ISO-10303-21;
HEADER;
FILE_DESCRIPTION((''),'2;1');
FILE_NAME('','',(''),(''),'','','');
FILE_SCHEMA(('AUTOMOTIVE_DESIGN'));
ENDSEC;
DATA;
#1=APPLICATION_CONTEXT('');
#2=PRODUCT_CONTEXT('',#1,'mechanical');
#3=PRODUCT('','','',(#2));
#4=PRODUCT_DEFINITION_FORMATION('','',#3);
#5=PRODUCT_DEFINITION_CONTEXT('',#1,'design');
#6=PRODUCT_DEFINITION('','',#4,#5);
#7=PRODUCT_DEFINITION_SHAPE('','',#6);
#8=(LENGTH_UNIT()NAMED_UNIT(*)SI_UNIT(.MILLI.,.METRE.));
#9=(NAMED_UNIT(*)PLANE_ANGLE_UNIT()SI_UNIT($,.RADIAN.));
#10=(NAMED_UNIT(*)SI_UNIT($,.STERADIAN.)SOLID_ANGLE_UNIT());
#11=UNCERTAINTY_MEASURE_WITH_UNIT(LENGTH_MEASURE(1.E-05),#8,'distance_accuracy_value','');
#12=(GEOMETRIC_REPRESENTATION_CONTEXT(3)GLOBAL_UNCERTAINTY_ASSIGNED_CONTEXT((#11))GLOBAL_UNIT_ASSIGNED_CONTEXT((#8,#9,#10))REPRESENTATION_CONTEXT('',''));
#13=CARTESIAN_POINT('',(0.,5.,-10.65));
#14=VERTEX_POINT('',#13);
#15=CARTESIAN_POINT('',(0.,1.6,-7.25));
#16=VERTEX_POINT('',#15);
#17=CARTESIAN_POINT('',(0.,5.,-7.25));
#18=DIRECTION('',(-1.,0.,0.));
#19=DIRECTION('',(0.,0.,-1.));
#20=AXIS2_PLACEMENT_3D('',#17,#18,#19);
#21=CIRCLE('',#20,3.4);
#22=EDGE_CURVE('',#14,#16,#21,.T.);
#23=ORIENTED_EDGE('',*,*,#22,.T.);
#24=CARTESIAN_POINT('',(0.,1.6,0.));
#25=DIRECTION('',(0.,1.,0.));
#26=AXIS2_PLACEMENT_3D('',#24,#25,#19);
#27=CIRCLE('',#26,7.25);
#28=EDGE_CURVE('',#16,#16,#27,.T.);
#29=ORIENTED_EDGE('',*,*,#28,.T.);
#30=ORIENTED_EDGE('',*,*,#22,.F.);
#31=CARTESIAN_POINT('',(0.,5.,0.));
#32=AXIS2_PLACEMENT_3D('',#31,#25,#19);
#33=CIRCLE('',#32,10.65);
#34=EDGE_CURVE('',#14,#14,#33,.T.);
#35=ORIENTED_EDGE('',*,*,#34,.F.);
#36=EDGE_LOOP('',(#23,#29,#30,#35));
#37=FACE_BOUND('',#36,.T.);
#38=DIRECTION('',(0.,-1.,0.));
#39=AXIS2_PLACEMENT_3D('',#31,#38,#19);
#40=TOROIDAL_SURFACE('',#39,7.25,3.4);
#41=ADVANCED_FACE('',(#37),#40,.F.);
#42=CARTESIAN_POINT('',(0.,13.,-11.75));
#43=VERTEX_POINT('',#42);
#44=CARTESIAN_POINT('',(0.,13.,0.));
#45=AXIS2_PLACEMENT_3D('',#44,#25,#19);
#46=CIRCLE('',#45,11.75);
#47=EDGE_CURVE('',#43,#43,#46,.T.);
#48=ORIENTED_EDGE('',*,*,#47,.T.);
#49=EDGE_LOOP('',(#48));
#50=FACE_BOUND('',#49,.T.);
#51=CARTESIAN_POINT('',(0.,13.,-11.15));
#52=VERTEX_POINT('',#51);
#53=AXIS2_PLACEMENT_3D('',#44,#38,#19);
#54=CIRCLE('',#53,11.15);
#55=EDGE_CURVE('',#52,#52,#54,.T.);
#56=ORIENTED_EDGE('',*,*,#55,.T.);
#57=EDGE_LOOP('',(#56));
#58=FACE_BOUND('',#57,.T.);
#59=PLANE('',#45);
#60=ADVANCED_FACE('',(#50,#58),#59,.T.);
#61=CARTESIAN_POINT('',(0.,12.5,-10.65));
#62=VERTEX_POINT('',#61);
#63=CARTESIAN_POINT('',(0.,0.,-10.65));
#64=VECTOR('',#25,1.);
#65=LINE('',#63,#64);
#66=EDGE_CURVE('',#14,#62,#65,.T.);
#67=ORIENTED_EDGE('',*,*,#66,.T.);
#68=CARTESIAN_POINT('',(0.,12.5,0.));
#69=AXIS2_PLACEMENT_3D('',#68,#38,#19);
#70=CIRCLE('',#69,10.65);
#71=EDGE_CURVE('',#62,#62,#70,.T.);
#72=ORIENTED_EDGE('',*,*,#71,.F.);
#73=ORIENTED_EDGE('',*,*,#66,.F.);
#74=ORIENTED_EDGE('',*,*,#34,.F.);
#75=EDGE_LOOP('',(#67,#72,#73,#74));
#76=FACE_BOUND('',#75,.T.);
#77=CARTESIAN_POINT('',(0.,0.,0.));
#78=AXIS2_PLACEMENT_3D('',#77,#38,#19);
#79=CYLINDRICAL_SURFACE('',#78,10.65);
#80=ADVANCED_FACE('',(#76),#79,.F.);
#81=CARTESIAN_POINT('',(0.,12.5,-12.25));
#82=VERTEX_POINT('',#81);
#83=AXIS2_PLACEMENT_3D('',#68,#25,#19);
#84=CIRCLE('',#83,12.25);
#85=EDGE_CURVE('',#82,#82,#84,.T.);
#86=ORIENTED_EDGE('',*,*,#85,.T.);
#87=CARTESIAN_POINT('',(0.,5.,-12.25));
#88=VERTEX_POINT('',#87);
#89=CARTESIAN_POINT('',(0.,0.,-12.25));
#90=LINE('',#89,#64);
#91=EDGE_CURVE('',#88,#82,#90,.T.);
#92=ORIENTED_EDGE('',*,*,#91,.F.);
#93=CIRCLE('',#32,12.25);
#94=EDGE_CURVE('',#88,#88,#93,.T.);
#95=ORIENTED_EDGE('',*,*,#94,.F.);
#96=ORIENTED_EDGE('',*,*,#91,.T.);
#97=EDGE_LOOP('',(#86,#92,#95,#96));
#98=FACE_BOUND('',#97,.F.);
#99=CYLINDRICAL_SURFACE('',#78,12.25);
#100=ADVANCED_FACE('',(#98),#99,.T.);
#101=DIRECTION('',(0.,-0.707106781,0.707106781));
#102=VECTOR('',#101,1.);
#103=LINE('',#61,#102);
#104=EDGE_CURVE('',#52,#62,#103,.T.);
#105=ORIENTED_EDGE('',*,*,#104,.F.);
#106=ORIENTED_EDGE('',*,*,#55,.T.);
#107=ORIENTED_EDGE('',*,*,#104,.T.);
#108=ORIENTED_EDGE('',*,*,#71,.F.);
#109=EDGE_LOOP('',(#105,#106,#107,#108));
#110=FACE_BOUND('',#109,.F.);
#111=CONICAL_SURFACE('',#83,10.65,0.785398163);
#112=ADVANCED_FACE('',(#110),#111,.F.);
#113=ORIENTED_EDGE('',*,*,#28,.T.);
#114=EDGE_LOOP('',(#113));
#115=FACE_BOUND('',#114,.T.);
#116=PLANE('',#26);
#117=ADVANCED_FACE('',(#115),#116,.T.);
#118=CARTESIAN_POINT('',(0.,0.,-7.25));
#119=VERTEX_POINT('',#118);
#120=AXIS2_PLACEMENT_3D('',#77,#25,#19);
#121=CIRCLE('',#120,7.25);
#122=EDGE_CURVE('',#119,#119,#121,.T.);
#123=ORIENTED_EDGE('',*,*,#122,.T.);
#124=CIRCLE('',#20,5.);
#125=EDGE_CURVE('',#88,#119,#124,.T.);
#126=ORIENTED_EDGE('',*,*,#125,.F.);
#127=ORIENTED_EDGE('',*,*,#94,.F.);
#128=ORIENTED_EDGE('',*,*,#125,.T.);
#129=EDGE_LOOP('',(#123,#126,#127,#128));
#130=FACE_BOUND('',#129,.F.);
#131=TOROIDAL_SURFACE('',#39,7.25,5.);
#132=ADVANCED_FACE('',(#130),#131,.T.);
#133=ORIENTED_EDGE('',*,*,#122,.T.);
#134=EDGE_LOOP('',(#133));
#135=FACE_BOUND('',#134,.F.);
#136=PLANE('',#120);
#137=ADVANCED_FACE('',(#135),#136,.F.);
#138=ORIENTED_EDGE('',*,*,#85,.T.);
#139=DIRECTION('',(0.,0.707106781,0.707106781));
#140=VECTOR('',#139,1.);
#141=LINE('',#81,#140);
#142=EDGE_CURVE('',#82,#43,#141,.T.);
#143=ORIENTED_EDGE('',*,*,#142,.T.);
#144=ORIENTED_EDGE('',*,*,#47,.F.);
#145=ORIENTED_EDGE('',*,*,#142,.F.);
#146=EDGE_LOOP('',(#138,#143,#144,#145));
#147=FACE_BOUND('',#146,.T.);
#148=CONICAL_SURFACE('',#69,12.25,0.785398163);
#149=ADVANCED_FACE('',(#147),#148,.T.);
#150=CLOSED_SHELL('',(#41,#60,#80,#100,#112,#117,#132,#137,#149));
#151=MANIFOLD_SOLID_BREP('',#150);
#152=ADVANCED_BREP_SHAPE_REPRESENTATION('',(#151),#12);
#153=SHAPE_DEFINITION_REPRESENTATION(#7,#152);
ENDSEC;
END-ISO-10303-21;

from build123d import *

# Parameters (mm, degrees)
SKIZZE1_R                       = 12.25
AUFSATZ_LINEAR_AUSTRAGEN1_DEPTH = 13
VERRUNDUNG1_R                   = 5
WANDUNG1_T                      = -1.6
FASE1_SIZE                      = 0.5


with BuildPart() as part:
    # Skizze1 → Aufsatz-Linear austragen1 (new body)
    with BuildSketch(Plane(origin=(0, 0, 0), x_dir=(1, 0, 0), z_dir=(0, 1, 0))):
        with Locations(Location((0, 0, 0), (0, 0, 90))):
            Circle(SKIZZE1_R)
    extrude(amount=AUFSATZ_LINEAR_AUSTRAGEN1_DEPTH)

    # Verrundung1
    verrundung1_edges = [part.edges().sort_by_distance(p)[0] for p in [
        (0, 0, 12.25),
    ]]
    fillet(verrundung1_edges, radius=VERRUNDUNG1_R)

    # Wandung1
    wandung1_openings = [part.faces().sort_by_distance(p)[0] for p in [
        (0, 13, 0),
    ]]
    offset(amount=WANDUNG1_T, openings=wandung1_openings, kind=Kind.INTERSECTION)

    # Fase1
    fase1_edges = [part.edges().sort_by_distance(p)[0] for p in [
        (0, 13, 12.25),
        (0, 13, 10.65),
    ]]
    chamfer(fase1_edges, length=FASE1_SIZE)


solid = part.part
